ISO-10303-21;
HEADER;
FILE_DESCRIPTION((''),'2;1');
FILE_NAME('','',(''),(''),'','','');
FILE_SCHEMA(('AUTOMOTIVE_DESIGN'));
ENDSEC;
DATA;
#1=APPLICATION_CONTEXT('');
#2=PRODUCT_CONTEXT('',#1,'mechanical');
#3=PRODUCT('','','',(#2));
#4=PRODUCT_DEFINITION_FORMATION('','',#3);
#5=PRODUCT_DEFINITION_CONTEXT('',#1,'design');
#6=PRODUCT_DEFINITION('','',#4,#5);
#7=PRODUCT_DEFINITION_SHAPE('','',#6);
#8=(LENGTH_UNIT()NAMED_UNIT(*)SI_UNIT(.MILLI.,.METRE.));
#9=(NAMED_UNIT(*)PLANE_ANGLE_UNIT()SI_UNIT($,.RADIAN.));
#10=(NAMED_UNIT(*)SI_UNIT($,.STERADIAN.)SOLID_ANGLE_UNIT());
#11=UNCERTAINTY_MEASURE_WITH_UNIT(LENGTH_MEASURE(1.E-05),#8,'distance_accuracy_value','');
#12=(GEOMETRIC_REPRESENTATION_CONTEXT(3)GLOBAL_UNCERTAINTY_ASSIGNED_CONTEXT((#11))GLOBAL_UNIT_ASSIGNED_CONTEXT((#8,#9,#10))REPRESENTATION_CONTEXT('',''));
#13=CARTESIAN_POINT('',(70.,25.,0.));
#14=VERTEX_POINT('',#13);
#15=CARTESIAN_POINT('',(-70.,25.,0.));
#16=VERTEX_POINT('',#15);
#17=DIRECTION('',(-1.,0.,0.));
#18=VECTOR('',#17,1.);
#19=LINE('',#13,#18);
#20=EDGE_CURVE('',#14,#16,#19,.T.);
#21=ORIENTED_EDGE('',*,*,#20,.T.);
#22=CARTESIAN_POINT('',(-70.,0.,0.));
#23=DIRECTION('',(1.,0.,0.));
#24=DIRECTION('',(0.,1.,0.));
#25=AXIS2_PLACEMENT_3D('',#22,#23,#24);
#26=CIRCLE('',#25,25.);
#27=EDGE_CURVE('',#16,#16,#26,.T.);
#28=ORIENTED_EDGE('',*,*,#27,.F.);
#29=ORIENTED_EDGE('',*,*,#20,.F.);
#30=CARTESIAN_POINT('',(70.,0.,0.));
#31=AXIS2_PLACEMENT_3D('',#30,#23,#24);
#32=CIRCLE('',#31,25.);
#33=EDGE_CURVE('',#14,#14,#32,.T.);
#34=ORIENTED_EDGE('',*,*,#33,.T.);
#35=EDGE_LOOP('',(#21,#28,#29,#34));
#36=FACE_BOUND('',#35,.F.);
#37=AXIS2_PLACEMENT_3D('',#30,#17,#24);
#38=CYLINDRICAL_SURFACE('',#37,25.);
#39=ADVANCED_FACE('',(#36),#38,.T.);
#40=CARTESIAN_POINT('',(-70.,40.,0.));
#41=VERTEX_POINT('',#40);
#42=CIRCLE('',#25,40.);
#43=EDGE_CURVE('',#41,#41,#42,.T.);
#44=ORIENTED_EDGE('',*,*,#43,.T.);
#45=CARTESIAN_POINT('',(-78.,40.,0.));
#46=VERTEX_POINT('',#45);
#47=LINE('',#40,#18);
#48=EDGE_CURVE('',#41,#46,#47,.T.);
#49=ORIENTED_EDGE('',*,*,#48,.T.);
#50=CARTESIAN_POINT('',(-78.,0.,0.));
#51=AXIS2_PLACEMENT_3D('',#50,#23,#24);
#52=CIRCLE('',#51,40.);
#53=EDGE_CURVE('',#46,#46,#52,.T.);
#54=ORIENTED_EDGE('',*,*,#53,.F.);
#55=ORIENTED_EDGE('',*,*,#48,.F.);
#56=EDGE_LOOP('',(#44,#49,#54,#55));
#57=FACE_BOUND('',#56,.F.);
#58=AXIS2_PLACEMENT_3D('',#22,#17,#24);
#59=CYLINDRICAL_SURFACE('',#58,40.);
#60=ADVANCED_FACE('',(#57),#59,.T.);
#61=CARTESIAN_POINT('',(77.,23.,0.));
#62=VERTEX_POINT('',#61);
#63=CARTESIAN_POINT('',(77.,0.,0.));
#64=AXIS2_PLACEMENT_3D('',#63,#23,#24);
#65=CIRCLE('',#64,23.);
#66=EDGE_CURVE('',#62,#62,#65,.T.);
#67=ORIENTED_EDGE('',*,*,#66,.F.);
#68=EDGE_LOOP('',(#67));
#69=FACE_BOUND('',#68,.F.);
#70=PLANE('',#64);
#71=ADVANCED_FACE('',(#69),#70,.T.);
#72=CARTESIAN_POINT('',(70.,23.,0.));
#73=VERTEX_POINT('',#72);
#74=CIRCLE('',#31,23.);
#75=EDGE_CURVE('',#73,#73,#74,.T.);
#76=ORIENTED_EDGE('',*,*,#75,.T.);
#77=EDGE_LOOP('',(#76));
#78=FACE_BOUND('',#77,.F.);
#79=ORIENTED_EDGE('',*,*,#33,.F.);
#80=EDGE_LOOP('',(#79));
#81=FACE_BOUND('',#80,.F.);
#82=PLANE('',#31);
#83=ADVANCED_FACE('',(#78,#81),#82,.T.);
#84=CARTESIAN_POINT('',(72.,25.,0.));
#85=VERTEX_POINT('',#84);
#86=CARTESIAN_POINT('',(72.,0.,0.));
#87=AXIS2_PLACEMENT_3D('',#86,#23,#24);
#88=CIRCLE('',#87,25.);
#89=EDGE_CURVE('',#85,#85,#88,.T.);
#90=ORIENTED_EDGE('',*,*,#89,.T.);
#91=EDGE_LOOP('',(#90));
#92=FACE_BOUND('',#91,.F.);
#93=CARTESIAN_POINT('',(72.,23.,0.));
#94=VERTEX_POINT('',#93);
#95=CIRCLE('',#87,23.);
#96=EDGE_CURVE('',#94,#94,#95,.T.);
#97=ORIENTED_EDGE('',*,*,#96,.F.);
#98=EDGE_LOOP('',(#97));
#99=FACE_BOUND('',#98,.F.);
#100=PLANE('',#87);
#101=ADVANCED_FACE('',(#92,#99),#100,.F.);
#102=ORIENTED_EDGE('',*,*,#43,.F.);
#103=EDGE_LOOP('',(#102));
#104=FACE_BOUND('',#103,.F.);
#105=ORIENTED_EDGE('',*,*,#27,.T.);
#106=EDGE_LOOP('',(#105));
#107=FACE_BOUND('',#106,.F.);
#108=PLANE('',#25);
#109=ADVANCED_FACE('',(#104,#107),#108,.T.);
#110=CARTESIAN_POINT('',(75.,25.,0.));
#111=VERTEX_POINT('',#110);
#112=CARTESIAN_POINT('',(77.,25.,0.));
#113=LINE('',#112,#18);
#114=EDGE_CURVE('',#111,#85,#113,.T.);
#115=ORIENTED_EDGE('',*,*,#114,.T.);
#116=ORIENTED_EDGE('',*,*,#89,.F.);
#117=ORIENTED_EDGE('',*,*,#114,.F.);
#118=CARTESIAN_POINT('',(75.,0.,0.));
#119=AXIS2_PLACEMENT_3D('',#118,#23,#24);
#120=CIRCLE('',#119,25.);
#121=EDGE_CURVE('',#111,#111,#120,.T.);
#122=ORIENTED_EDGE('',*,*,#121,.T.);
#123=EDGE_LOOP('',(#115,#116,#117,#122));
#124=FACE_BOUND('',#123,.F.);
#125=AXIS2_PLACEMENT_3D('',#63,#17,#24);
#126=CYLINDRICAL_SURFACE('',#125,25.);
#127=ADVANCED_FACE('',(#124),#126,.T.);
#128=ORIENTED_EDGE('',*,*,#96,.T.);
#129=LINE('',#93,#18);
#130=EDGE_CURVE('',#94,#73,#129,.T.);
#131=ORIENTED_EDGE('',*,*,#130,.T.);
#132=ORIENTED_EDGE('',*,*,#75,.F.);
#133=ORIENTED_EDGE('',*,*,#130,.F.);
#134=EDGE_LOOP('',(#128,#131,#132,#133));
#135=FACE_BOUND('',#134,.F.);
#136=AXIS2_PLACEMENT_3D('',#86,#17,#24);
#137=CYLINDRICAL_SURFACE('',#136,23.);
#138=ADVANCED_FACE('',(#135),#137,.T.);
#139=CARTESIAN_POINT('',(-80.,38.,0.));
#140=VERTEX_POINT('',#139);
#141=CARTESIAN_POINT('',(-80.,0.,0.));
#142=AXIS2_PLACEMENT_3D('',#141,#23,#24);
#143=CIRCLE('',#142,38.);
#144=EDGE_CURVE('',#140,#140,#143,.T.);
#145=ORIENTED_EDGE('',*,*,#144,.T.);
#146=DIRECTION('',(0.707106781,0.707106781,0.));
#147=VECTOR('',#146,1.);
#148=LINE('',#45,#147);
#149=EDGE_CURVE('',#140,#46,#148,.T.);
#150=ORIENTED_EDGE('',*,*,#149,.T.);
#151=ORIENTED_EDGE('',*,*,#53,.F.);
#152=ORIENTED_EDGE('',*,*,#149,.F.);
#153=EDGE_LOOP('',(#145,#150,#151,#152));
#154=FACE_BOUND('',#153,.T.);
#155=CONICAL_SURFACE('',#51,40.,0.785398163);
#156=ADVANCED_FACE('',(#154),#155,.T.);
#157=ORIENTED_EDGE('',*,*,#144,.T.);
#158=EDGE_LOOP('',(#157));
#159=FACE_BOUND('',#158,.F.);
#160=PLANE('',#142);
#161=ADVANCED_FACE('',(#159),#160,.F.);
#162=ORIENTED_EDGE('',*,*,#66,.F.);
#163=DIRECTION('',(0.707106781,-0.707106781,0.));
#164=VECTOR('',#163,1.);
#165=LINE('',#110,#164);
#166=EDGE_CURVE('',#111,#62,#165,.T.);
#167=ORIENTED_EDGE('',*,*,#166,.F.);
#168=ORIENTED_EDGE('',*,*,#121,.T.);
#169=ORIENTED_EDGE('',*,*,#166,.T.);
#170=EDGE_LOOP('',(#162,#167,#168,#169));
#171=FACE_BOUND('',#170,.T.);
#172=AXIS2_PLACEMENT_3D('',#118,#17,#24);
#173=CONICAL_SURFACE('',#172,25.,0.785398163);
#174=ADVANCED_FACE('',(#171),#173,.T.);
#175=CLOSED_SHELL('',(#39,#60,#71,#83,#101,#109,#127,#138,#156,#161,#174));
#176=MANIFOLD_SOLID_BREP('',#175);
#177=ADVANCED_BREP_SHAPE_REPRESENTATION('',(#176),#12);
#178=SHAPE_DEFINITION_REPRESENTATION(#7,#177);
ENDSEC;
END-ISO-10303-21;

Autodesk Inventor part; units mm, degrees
ref_plane "YZ Plane" through (0, 0, 0) normal (1, 0, 0) x (0, 1, 0)
ref_plane "XZ Plane" through (0, 0, 0) normal (0, 1, 0) x (-1, 0, 0)
ref_plane "XY Plane" through (0, 0, 0) normal (0, 0, 1) x (1, 0, 0)
sketch "Skizze1" plane through (0, 0, 0) normal (0, 0, 1) x (1, 0, 0)
  line L0 (-70, 25) -> (-70, 40)
  line L1 (-70, 40) -> (-80, 40)
  line L2 (-80, 40) -> (-80, 0)
  line L3 (-80, 0) -> (77, 0)
  line L4 (77, 0) -> (77, 25)
  line L5 (72, 25) -> (72, 23)
  line L6 (72, 23) -> (70, 23)
  line L7 (70, 23) -> (70, 25)
  line L8 (77, 25) -> (72, 25)
  line L9 (70, 25) -> (-70, 25)
  dimension "d0" = 80
  dimension "d1" = 10
  dimension "d2" = 50
  dimension "d3" = 46
  dimension "d7" = 2
  dimension "d8" = 5
  dimension "d13" = 140
revolve "Drehung1" add sketch "Skizze1" angle 360 about axis through (-80, 0, 0) along (1, 0, 0)
chamfer "Fase1" distance 2 angle 45 1 edges at (-80, -40, 0)
chamfer "Fase2" distance 2 angle 45 1 edges at (77, -25, 0)
properties part number "Boltx50"
